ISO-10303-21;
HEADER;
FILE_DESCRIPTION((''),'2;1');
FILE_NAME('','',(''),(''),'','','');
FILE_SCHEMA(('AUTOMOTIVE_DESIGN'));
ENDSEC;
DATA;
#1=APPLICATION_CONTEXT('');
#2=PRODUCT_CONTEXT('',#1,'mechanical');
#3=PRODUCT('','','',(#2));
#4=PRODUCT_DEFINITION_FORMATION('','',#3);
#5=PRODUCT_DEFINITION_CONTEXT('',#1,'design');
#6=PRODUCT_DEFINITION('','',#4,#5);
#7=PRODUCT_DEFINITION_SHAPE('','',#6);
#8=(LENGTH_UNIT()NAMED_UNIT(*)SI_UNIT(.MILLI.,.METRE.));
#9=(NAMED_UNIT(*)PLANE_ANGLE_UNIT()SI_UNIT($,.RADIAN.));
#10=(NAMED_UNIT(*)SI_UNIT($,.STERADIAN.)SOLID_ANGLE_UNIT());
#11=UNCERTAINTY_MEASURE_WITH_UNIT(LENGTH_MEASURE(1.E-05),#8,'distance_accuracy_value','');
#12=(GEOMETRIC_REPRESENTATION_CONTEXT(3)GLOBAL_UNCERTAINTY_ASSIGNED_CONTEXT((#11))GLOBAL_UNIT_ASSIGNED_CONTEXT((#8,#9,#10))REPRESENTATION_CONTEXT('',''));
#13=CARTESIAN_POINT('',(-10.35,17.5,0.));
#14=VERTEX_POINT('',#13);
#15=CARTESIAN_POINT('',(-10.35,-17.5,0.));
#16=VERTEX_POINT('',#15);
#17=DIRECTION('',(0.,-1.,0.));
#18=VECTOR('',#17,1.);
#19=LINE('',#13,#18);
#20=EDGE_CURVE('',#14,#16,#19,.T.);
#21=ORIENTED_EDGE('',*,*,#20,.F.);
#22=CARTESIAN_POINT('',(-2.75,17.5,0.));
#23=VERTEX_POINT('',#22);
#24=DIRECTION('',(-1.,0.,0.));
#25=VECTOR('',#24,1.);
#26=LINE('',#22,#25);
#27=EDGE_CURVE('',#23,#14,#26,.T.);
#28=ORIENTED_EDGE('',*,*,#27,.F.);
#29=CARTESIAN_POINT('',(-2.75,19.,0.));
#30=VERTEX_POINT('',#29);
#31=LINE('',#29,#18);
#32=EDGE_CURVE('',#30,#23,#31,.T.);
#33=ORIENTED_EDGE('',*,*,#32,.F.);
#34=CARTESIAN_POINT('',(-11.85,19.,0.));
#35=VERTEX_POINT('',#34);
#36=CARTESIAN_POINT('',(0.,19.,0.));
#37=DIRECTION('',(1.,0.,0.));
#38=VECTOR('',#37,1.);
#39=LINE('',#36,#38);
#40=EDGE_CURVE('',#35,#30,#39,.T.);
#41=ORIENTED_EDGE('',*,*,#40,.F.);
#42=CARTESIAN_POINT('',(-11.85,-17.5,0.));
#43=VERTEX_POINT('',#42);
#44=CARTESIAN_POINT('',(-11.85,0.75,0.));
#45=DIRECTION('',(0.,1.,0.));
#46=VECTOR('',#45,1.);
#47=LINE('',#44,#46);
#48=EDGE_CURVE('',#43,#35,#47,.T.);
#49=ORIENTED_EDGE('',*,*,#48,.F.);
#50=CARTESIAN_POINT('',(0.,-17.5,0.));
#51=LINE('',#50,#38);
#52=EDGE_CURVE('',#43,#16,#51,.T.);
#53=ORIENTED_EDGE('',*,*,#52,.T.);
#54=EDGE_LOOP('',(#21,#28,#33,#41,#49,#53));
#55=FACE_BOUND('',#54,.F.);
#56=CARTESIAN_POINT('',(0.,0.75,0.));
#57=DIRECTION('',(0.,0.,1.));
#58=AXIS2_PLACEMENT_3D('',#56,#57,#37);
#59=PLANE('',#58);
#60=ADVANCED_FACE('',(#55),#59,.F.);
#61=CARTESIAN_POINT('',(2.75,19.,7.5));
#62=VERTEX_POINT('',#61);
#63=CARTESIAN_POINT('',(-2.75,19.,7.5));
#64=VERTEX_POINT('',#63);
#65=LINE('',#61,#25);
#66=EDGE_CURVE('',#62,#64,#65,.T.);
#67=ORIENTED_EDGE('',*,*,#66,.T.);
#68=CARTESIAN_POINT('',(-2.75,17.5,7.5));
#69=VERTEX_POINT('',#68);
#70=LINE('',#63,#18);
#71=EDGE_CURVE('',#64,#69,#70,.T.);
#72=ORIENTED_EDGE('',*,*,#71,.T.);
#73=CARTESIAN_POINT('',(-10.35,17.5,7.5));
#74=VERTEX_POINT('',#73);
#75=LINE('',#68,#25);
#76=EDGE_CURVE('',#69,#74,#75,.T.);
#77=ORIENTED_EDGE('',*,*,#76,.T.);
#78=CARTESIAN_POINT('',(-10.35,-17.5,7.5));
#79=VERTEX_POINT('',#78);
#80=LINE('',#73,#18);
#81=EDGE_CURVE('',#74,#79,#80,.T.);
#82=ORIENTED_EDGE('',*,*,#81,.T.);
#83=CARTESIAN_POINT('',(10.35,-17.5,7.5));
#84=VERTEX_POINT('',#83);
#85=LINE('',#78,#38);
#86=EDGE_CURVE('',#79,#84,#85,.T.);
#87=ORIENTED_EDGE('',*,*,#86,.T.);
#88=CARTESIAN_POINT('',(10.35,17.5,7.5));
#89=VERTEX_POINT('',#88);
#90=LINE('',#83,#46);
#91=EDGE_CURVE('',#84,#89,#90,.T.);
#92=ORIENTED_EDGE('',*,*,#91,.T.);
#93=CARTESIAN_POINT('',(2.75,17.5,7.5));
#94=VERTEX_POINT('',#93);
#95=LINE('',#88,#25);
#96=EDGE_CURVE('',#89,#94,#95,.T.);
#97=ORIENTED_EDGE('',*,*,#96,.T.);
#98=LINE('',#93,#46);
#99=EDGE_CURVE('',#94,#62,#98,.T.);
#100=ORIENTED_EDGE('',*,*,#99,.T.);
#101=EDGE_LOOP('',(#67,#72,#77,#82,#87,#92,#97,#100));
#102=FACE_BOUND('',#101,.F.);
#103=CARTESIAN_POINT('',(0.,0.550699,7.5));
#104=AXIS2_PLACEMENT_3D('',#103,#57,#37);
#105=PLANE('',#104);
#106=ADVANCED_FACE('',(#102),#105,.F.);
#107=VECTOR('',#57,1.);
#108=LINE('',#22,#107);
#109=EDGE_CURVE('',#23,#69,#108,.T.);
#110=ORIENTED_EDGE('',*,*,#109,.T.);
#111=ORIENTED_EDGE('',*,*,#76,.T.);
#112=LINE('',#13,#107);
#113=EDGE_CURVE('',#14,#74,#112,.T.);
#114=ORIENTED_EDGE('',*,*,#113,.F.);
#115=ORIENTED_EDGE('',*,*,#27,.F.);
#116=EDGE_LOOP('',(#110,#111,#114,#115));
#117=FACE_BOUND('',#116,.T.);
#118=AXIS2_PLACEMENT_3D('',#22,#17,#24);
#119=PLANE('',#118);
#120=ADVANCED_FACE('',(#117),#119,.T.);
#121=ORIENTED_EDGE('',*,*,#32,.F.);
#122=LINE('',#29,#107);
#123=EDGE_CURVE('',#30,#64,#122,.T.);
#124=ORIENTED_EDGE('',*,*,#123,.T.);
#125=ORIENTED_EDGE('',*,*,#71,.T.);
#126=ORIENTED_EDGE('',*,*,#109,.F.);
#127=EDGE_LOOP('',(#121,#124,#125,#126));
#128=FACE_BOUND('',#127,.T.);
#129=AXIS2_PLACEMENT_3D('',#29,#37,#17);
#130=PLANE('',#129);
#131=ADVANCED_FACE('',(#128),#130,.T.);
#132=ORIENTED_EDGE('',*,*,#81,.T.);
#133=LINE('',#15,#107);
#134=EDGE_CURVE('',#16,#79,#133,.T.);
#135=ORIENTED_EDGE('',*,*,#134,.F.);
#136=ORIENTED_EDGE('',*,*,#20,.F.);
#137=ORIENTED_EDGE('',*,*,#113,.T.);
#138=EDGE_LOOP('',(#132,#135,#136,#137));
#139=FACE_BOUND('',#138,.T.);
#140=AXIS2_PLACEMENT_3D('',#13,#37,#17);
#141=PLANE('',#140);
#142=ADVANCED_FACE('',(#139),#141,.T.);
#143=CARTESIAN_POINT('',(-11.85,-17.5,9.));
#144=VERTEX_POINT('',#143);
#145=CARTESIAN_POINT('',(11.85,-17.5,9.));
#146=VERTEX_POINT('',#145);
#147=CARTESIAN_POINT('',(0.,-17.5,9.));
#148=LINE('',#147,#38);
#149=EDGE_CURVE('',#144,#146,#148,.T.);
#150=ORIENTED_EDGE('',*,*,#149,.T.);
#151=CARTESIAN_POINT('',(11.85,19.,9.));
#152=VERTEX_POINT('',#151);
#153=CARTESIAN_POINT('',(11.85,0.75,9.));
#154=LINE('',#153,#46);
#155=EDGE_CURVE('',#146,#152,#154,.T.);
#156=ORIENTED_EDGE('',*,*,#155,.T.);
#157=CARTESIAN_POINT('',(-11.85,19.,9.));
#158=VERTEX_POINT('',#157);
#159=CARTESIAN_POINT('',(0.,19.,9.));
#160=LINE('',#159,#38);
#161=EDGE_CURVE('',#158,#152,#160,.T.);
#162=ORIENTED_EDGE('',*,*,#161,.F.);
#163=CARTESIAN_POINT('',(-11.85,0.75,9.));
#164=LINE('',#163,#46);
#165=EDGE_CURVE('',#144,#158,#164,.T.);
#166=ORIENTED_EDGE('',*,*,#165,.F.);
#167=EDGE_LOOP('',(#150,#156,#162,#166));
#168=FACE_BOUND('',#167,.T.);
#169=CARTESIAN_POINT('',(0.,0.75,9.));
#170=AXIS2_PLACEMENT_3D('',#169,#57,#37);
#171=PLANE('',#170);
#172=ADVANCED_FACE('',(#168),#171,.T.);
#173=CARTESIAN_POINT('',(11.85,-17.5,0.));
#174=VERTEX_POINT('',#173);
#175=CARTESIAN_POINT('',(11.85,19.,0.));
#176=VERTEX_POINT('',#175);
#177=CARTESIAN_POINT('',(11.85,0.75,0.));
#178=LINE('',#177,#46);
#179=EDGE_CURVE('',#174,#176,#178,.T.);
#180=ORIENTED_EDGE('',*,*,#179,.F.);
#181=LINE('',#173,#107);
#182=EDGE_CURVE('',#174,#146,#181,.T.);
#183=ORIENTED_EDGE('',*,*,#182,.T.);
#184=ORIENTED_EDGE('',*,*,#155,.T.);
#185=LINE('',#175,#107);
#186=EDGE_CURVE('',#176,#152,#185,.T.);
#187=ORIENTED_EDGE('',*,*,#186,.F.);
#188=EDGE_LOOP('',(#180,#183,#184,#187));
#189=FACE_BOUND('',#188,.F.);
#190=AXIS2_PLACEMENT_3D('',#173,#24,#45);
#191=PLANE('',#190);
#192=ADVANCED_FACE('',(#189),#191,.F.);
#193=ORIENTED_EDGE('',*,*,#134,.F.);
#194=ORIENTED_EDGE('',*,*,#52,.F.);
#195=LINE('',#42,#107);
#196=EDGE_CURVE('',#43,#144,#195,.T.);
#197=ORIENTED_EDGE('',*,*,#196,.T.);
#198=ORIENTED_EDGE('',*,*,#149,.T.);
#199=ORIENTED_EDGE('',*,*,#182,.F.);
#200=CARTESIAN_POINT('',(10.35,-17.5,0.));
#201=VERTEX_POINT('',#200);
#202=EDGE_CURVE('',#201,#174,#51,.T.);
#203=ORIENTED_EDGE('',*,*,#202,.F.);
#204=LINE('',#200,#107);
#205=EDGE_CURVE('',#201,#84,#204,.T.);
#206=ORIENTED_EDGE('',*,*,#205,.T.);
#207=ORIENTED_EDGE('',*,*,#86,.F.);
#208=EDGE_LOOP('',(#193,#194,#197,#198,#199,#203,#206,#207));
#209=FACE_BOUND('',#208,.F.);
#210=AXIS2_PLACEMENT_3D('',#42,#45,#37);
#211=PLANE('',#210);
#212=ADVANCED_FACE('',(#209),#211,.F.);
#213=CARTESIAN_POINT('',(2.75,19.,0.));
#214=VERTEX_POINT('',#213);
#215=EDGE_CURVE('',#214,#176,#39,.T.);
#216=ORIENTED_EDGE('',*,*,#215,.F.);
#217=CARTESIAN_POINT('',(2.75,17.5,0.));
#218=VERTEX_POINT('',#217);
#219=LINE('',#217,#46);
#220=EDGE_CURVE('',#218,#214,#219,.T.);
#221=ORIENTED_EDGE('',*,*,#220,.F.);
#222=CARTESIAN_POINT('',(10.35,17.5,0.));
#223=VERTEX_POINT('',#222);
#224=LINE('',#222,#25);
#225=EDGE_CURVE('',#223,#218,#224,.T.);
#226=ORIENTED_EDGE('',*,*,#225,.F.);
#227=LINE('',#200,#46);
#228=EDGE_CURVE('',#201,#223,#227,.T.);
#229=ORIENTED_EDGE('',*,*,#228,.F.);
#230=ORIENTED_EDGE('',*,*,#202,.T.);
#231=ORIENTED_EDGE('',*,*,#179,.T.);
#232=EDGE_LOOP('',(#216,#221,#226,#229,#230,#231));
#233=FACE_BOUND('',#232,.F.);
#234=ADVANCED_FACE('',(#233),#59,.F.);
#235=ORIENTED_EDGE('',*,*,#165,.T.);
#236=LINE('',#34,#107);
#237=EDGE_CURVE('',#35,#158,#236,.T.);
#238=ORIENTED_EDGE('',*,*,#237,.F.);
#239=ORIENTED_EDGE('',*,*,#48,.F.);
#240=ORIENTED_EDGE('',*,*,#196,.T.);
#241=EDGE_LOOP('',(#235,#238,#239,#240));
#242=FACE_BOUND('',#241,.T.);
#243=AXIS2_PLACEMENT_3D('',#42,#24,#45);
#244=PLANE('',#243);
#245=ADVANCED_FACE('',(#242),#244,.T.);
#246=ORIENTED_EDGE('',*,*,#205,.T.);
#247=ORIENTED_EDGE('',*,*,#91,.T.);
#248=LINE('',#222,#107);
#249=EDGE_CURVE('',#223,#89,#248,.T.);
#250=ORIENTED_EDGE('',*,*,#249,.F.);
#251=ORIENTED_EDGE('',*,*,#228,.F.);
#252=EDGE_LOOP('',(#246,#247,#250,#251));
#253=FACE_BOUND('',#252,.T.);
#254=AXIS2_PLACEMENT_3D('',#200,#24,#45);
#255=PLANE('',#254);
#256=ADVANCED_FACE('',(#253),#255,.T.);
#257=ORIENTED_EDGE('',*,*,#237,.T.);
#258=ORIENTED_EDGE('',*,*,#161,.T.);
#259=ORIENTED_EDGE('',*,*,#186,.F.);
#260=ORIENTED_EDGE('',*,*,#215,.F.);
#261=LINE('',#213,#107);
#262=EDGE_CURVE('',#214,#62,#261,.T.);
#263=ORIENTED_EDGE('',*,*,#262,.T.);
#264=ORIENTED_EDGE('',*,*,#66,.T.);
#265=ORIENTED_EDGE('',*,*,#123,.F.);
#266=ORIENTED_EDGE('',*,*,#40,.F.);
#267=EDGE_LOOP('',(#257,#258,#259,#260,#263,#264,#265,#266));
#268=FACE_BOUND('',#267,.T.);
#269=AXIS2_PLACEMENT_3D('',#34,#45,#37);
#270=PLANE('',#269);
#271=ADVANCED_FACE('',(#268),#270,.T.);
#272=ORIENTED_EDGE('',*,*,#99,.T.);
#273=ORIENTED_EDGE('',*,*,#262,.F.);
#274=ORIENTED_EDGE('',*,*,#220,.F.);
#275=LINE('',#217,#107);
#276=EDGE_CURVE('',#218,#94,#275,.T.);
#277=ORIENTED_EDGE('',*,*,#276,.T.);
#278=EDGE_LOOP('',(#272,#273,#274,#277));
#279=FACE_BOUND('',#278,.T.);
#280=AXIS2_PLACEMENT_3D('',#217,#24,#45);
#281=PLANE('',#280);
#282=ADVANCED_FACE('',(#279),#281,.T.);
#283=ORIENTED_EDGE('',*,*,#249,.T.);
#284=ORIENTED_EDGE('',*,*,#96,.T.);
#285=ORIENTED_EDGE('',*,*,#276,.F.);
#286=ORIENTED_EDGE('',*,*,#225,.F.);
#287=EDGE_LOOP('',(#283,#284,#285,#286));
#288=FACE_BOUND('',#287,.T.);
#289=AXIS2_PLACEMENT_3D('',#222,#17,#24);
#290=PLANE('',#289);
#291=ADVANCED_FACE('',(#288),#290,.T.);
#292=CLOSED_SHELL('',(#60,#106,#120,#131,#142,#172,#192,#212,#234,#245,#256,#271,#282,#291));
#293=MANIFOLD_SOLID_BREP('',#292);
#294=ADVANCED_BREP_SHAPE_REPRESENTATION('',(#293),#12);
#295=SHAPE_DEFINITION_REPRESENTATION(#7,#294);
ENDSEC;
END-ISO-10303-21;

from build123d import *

# Parameters (mm, degrees)
F1_W     = 23.7
F1_H     = 36.5
F2_DEPTH = 9
F3_DEPTH = 7.5


with BuildPart() as f2:
    # F1 (on Top) → F2 (new body)
    with BuildSketch(Plane.XY):
        with Locations((0, 0.75)):
            Rectangle(F1_W, F1_H)
    extrude(amount=F2_DEPTH)

    # F0 (on Top) → F3 (cut)
    with BuildSketch(Plane.XY):
        Polygon((-10.35, -17.5), (10.35, -17.5), (10.35, 17.5), (2.75, 17.5), (2.75, 19), (-2.75, 19), (-2.75, 17.5), (-10.35, 17.5), align=None)
    extrude(amount=F3_DEPTH, mode=Mode.SUBTRACT)


solid = f2.part
